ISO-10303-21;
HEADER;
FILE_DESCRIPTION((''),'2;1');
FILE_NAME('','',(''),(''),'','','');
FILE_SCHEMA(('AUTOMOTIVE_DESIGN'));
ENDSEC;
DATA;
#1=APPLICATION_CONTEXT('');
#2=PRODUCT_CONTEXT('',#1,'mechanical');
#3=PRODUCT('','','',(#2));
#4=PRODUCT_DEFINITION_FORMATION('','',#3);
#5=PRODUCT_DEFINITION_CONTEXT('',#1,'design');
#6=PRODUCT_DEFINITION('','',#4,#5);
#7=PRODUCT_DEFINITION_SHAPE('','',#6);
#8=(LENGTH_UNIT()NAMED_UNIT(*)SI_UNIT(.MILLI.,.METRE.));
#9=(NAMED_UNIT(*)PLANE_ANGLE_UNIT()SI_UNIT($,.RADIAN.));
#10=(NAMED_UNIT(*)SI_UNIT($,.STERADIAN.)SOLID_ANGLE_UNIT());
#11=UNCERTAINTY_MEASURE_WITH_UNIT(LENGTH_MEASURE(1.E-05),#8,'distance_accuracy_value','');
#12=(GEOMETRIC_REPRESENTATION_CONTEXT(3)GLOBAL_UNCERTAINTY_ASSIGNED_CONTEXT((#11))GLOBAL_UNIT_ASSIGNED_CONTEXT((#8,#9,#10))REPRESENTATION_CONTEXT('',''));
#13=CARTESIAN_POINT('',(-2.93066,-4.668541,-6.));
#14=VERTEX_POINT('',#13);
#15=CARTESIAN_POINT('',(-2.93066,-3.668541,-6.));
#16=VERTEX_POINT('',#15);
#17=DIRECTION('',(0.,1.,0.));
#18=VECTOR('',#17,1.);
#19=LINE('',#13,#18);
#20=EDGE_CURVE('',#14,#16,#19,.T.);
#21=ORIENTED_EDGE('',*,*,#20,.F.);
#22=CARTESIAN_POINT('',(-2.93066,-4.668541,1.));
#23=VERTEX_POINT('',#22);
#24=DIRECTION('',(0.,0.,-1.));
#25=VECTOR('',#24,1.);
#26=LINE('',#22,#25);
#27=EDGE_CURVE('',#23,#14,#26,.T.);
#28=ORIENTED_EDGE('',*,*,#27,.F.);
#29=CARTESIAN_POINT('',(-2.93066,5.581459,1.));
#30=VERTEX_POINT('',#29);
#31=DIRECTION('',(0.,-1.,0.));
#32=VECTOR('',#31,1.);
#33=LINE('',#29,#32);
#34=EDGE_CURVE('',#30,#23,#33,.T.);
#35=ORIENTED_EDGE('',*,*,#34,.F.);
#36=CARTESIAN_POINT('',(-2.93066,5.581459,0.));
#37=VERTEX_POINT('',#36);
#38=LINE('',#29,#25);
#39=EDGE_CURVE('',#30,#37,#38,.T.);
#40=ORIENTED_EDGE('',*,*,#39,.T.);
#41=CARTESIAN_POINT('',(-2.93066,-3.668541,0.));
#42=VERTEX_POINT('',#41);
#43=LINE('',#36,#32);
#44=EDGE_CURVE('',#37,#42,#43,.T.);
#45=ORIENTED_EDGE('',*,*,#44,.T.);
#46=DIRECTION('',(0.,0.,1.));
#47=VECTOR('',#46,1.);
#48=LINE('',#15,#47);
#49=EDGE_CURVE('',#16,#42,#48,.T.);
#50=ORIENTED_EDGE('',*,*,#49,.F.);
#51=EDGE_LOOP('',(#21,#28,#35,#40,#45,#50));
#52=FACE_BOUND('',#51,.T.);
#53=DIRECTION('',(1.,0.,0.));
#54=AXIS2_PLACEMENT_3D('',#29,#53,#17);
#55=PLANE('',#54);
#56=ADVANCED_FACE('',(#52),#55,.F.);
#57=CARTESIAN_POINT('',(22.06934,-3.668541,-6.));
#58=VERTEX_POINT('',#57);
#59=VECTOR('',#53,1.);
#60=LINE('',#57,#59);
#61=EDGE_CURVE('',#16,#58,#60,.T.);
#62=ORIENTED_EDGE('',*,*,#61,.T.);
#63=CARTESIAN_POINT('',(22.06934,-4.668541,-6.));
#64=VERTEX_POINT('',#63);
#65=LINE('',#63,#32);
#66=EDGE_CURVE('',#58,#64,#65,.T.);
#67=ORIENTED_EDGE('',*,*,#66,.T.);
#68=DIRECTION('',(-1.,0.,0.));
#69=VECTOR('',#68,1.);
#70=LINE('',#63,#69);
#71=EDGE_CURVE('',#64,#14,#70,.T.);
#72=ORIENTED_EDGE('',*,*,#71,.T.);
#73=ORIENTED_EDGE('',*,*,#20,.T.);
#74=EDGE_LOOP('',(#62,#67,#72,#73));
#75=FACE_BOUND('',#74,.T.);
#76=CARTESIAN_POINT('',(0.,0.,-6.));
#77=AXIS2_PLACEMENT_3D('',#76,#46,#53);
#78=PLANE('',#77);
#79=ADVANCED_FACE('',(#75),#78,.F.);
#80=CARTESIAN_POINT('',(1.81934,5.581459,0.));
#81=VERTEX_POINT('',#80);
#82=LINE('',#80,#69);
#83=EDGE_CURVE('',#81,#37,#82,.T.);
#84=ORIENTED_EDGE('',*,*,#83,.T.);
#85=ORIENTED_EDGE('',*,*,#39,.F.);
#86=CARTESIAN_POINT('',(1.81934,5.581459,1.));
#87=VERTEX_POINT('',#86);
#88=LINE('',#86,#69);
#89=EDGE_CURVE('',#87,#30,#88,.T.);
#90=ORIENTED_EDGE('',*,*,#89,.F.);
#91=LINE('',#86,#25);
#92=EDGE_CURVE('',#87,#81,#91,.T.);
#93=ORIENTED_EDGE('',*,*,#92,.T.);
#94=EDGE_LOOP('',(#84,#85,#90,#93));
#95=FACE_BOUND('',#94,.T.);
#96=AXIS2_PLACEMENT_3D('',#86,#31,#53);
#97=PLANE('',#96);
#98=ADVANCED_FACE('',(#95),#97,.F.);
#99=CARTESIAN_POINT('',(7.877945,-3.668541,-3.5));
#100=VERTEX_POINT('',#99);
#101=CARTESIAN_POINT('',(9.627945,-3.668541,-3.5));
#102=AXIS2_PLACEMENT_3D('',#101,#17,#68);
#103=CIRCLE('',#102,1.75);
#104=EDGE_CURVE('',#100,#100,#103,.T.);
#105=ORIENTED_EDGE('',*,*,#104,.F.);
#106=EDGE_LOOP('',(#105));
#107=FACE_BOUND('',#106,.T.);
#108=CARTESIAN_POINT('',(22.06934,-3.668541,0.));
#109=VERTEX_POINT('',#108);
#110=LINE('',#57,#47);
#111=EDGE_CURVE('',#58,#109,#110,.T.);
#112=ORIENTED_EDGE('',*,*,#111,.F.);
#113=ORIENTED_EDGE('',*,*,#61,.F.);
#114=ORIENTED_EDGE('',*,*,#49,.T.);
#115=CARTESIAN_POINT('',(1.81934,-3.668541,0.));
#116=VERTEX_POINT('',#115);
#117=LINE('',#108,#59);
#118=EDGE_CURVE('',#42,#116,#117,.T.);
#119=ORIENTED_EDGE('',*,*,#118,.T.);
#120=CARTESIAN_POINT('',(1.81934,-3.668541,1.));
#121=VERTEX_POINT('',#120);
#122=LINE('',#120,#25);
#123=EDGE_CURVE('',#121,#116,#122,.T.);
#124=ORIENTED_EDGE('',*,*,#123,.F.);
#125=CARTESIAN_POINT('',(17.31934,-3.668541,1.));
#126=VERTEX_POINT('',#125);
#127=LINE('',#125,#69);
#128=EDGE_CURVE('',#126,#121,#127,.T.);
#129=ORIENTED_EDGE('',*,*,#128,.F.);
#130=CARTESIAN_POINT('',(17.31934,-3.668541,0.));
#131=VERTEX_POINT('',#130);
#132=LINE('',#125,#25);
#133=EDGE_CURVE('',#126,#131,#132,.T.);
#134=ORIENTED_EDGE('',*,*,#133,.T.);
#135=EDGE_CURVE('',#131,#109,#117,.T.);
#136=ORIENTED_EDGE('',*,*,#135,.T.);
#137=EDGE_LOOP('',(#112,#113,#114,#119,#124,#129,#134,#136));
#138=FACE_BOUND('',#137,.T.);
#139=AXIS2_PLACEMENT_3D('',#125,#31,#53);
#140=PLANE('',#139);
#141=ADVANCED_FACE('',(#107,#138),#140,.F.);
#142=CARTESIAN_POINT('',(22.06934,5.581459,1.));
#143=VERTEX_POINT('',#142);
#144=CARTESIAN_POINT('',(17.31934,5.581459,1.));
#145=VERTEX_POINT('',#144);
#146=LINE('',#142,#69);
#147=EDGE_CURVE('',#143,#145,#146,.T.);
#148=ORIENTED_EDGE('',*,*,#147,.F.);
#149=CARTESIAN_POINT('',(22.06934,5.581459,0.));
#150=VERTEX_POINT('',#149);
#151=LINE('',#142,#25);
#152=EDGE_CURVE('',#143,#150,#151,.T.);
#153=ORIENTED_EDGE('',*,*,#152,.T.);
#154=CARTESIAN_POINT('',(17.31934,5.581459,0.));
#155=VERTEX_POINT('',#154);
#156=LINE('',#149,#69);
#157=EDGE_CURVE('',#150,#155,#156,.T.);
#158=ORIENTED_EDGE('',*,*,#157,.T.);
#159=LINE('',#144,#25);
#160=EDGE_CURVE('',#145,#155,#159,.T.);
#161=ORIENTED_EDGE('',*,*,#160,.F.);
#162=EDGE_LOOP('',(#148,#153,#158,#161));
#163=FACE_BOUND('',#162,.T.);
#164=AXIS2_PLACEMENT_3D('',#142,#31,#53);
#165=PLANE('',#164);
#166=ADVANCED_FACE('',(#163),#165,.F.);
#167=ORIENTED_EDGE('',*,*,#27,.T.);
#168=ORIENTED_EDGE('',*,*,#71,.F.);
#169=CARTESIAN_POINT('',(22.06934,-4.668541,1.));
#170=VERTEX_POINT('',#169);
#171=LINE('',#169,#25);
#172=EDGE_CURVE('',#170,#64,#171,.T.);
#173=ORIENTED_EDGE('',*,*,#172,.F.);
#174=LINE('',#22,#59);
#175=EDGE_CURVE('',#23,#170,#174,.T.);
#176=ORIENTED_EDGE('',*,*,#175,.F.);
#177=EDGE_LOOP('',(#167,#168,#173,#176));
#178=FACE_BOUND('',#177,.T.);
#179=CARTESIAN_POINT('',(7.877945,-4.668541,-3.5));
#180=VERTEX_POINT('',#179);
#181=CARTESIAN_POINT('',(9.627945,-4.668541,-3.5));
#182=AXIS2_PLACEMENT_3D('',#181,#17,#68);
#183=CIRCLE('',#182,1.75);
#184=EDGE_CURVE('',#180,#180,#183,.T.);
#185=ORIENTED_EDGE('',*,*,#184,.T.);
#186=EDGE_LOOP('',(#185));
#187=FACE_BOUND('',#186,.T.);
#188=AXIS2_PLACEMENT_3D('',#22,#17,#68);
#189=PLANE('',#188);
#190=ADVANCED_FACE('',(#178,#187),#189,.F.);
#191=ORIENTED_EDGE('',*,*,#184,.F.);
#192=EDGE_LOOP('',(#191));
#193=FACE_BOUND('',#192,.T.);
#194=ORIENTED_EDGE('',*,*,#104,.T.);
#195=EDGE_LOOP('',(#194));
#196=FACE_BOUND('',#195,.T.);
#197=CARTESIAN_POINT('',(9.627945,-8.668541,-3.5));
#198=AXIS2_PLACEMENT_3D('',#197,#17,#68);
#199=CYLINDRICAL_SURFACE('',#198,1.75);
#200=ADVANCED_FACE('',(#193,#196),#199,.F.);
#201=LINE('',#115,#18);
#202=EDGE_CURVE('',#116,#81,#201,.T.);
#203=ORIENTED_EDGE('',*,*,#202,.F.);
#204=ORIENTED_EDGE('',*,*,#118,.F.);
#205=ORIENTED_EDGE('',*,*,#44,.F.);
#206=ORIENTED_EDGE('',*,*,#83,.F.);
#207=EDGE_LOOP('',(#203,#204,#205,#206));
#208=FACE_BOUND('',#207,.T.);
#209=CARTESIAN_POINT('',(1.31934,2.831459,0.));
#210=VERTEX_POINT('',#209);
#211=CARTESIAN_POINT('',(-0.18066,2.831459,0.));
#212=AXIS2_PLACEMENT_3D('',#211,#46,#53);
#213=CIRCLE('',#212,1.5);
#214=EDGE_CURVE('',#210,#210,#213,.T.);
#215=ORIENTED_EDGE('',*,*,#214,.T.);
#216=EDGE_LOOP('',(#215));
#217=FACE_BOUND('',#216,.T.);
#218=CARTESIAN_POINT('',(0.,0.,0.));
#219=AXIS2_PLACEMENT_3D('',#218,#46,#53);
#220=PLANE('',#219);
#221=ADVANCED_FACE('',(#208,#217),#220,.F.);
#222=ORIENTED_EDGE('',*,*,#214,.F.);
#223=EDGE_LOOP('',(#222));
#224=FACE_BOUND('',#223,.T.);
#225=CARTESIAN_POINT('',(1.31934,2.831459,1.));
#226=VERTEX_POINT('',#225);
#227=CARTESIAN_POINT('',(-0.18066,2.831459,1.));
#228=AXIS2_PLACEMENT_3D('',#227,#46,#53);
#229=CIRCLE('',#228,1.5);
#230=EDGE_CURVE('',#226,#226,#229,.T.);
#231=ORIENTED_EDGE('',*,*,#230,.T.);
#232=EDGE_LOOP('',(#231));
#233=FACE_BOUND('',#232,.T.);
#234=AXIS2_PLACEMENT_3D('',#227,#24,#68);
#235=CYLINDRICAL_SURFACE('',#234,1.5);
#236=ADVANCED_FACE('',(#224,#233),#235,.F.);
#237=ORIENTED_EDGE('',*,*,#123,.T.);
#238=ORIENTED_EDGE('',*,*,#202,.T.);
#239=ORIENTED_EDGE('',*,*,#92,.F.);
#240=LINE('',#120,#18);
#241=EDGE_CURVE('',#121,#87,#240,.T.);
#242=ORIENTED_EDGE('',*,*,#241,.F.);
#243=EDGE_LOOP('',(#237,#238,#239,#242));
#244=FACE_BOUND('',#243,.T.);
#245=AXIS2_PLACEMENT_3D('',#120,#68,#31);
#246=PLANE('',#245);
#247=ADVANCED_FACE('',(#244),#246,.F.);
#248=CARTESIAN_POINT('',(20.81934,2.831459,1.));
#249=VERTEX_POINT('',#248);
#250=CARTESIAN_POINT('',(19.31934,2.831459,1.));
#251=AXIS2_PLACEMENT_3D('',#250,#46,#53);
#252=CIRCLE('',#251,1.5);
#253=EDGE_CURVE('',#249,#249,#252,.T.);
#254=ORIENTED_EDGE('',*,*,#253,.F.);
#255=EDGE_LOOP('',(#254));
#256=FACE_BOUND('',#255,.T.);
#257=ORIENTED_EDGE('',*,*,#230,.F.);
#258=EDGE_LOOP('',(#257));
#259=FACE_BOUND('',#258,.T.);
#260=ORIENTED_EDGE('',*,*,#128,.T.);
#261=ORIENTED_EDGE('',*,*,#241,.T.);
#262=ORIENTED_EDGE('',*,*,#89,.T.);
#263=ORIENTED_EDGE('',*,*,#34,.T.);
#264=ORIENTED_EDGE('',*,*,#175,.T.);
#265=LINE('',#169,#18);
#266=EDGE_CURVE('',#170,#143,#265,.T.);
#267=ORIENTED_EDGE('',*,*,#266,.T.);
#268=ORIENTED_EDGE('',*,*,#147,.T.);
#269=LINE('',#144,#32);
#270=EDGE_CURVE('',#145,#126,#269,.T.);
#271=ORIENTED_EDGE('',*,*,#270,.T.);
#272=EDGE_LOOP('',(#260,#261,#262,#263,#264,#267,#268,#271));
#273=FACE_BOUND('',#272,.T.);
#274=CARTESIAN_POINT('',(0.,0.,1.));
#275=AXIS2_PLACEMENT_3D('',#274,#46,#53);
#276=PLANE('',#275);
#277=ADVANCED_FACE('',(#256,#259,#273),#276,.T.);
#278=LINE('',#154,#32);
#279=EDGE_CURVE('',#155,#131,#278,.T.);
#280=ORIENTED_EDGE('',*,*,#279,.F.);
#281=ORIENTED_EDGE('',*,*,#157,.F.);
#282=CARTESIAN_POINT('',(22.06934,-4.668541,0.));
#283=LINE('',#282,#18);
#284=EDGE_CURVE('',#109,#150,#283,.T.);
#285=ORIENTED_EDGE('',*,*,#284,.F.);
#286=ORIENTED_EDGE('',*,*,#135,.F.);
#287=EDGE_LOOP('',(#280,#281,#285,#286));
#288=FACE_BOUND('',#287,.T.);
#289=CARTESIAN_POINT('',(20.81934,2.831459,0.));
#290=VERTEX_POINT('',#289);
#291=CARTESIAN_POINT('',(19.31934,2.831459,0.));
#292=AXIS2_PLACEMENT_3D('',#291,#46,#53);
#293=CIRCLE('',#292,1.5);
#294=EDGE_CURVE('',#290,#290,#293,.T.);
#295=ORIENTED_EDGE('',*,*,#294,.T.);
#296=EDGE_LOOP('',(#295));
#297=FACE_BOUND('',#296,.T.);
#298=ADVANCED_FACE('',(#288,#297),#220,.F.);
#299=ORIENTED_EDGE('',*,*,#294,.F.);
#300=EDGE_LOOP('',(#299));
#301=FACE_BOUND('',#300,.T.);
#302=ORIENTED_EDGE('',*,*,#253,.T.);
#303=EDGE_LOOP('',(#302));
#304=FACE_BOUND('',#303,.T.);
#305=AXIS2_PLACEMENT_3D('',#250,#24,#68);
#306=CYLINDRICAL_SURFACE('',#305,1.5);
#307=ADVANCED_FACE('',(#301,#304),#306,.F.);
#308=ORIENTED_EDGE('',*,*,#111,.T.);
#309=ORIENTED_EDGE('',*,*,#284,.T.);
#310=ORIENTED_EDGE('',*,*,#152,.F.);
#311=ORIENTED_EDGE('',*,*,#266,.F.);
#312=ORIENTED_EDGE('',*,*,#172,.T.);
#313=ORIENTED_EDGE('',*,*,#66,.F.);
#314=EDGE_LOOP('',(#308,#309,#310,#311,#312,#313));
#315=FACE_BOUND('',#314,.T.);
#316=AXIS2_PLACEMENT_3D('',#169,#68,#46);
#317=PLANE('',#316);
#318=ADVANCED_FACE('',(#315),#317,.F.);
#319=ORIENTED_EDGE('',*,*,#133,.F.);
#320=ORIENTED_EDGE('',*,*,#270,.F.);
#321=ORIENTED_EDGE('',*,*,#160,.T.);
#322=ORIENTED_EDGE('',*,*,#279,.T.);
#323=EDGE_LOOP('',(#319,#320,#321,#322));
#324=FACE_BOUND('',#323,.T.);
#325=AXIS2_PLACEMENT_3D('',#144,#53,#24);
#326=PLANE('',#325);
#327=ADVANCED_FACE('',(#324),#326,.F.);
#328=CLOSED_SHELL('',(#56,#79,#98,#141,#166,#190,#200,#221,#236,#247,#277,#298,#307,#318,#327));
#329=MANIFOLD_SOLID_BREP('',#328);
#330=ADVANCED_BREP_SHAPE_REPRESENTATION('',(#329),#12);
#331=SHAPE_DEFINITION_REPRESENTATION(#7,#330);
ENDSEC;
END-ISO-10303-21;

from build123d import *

# Parameters (mm, degrees)
ESBO_O1_R                = 1.5
RESSALTO_EXTRUS_O1_DEPTH = 1
ESBO_O2_W                = 25
ESBO_O2_H                = 1
RESSALTO_EXTRUS_O2_DEPTH = 6
ESBO_O3_R                = 1.75
CORTE_EXTRUS_O1_DEPTH    = 5


with BuildPart() as part:
    # Esboço1 → Ressalto-extrusão1 (new body)
    with BuildSketch(Plane.XY):
        Polygon((-2.930659551, 5.581459362), (-2.930659551, -4.668540638), (22.069340449, -4.668540638), (22.069340449, 5.581459362), (17.319340449, 5.581459362), (17.319340449, -3.668540638), (1.819340449, -3.668540638), (1.819340449, 5.581459362), align=None)
        with Locations((-0.180659551, 2.831459362)):
            Circle(ESBO_O1_R, mode=Mode.SUBTRACT)
        with Locations((19.319340449, 2.831459362)):
            Circle(ESBO_O1_R, mode=Mode.SUBTRACT)
    extrude(amount=RESSALTO_EXTRUS_O1_DEPTH)

    # Esboço2 → Ressalto-extrusão2 (add)
    with BuildSketch(Plane(origin=(0, 0, 0), x_dir=(-1, 0, 0), z_dir=(0, 0, -1))):
        with Locations((-9.569340449, -4.168540638)):
            Rectangle(ESBO_O2_W, ESBO_O2_H)
    extrude(amount=RESSALTO_EXTRUS_O2_DEPTH)

    # Esboço3 → Corte-extrusão1 (cut)
    with BuildSketch(Plane(origin=(0, -3.668540638, 0), x_dir=(1, 0, 0), z_dir=(0, 1, 0))):
        with Locations((9.627945133, 3.5)):
            Circle(ESBO_O3_R)
    extrude(amount=-CORTE_EXTRUS_O1_DEPTH, mode=Mode.SUBTRACT)


solid = part.part
